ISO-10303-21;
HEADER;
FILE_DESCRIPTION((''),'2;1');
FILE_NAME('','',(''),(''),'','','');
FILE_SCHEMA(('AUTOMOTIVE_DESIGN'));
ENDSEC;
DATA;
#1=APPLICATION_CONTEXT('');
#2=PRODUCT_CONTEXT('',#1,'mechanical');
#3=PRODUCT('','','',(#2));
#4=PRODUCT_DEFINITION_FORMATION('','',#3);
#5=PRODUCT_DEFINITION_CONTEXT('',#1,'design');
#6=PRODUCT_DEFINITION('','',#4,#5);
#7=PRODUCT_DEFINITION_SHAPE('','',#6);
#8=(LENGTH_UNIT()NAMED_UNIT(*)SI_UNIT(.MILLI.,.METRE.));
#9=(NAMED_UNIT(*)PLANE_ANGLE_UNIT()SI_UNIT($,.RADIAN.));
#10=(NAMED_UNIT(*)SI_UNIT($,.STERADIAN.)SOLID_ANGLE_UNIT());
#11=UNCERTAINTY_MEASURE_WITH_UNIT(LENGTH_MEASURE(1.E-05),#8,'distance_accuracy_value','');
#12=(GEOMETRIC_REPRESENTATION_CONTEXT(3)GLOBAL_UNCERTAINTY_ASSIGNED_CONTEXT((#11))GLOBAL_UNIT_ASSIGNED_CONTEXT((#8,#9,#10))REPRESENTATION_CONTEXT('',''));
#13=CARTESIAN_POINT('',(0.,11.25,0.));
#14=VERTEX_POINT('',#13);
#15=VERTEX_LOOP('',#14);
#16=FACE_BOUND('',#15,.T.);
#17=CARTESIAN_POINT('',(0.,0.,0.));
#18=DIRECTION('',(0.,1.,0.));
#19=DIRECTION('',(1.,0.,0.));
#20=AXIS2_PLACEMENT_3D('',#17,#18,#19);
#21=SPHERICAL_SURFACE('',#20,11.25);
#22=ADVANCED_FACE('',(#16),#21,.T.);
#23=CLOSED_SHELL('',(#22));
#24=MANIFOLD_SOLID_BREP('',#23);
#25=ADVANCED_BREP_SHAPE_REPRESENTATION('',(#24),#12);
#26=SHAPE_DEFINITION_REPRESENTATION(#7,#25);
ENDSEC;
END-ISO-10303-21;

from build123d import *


with BuildPart() as part:
    # Sketch1 → Revolve1 (revolve)
    with BuildSketch(Plane.XY):
        with BuildLine():
            Line((0, 11.25), (0, -11.25))
            ThreePointArc((0, -11.25), (11.25, 0), (0, 11.25))
        make_face()
    revolve(axis=Axis((0, 11.25, 0), (0, -1, 0)))


solid = part.part
